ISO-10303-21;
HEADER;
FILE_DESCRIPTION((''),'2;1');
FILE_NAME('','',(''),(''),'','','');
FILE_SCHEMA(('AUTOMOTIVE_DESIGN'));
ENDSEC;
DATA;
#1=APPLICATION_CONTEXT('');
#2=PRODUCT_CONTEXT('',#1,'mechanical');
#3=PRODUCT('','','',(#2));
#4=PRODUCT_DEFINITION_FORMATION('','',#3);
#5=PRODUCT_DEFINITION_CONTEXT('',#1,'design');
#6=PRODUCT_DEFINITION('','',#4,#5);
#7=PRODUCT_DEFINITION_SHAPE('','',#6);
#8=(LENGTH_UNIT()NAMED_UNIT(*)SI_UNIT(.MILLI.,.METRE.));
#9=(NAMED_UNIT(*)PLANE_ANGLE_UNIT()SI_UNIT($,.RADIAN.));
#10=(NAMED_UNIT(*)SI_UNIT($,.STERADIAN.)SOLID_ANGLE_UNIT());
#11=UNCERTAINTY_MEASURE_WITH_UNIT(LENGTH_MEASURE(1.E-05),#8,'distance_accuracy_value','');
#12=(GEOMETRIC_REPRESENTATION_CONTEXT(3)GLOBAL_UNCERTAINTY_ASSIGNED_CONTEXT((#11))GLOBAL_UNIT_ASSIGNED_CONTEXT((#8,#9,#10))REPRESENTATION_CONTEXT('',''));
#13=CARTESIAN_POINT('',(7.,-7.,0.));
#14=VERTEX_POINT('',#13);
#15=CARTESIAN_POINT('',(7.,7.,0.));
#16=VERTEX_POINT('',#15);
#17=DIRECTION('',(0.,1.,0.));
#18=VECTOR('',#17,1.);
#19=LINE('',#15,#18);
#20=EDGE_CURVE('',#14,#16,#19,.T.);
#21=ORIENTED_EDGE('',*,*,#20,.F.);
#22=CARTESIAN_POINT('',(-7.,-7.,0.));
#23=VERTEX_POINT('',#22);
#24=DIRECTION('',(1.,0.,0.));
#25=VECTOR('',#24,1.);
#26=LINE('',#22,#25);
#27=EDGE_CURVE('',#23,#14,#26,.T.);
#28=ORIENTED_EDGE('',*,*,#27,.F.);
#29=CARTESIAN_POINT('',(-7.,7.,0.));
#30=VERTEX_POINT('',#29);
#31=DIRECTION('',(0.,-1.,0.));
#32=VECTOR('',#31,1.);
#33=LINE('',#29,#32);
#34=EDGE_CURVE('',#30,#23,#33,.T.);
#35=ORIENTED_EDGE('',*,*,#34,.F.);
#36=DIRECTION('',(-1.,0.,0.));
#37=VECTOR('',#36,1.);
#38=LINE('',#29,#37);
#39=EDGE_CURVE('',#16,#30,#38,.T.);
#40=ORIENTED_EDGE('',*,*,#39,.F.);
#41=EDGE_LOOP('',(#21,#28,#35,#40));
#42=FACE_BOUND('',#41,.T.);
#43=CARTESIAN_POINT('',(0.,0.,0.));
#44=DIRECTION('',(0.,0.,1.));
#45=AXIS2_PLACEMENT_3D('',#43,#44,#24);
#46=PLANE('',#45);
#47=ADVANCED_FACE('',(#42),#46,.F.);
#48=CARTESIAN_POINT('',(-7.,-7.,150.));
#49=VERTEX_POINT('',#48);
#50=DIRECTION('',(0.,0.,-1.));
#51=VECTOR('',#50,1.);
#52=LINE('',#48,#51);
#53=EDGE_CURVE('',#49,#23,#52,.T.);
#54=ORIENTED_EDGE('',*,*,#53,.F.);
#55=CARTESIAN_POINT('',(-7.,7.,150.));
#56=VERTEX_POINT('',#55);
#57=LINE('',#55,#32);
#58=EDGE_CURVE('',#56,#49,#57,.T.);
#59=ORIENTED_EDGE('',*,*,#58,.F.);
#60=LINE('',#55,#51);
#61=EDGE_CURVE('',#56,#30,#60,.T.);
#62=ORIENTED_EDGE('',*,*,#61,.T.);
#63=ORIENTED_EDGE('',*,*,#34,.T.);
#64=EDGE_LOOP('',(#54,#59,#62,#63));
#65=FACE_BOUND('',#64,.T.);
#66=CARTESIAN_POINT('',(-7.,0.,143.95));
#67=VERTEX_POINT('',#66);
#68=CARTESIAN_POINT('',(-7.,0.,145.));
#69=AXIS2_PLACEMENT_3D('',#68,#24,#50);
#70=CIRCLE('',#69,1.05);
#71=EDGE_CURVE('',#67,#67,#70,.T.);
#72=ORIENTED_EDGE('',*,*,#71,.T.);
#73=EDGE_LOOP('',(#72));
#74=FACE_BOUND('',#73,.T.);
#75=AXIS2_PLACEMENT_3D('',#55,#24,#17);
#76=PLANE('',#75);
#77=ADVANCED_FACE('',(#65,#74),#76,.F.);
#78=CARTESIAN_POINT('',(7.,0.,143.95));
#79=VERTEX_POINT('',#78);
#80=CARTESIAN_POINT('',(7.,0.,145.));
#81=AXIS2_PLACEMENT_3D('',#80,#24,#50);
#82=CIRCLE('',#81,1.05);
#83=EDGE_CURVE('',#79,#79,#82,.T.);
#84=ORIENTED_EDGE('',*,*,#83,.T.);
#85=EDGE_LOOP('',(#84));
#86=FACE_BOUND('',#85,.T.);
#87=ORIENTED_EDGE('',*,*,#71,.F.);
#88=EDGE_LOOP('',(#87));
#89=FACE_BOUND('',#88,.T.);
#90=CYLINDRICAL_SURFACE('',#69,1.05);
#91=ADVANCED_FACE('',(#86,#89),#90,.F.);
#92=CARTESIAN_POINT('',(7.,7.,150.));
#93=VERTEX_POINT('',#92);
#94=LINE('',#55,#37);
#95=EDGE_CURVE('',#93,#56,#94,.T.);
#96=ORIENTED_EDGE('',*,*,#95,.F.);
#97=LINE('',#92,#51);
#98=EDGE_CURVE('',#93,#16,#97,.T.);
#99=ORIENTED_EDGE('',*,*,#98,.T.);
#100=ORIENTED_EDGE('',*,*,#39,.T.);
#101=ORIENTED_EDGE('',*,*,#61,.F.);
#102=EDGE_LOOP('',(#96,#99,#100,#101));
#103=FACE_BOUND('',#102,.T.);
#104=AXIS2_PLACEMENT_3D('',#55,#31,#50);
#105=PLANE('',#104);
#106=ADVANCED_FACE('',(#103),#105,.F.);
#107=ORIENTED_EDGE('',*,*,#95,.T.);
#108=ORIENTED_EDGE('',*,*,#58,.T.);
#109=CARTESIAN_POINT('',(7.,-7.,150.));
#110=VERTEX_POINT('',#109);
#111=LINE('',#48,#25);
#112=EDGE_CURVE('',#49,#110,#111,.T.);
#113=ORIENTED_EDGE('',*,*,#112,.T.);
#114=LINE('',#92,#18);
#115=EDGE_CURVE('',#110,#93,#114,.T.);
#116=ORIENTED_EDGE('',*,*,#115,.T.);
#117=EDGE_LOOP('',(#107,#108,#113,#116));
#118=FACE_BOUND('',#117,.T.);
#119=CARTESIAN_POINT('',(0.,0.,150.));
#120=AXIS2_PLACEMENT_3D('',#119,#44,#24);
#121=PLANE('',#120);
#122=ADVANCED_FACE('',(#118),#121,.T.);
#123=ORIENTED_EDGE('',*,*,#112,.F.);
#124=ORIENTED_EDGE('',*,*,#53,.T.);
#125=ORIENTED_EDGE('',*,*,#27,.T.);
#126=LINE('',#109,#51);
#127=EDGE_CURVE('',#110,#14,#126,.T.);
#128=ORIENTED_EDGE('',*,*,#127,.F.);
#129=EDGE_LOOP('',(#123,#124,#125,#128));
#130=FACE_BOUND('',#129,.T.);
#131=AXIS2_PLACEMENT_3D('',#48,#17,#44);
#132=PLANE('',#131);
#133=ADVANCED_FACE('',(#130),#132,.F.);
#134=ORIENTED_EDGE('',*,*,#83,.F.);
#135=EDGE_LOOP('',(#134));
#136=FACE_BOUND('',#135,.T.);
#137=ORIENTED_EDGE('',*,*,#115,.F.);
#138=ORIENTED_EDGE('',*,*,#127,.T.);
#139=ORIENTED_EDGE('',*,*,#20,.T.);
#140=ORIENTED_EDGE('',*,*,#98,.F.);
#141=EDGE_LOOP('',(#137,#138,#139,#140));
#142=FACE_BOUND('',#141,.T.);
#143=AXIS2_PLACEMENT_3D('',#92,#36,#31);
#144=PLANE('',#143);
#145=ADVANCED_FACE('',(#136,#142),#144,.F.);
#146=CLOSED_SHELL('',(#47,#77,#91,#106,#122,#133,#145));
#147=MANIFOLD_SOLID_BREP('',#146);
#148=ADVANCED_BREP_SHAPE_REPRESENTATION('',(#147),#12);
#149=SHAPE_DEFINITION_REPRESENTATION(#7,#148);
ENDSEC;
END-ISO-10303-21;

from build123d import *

# Parameters (mm, degrees)
SKETCH_1_W               = 14
SKETCH_1_H               = 14
EXTRUDE_1_DEPTH          = 150
CUT_EXTRUDE_1_DEPTH      = 151.326311736
CUT_EXTRUDE_1_DEPTH_BACK = 151.326311736
SKETCH_2_R               = 1.05


with BuildPart() as part:
    # ｽｹｯﾁ1 → ﾎﾞｽ - 押し出し1 (new body)
    with BuildSketch(Plane.XY):
        Rectangle(SKETCH_1_W, SKETCH_1_H)
    extrude(amount=EXTRUDE_1_DEPTH)

    # ｽｹｯﾁ2 → ｶｯﾄ - 押し出し1 (cut, two sides: drawn at the far end of the back side and taken through both)
    with BuildSketch(Plane(origin=(0, 0, 0), x_dir=(0, 0, -1), z_dir=(1, 0, 0)).offset(-CUT_EXTRUDE_1_DEPTH_BACK)):
        with Locations((-145, 0)):
            Circle(SKETCH_2_R)
    extrude(amount=CUT_EXTRUDE_1_DEPTH + CUT_EXTRUDE_1_DEPTH_BACK, mode=Mode.SUBTRACT)


solid = part.part
